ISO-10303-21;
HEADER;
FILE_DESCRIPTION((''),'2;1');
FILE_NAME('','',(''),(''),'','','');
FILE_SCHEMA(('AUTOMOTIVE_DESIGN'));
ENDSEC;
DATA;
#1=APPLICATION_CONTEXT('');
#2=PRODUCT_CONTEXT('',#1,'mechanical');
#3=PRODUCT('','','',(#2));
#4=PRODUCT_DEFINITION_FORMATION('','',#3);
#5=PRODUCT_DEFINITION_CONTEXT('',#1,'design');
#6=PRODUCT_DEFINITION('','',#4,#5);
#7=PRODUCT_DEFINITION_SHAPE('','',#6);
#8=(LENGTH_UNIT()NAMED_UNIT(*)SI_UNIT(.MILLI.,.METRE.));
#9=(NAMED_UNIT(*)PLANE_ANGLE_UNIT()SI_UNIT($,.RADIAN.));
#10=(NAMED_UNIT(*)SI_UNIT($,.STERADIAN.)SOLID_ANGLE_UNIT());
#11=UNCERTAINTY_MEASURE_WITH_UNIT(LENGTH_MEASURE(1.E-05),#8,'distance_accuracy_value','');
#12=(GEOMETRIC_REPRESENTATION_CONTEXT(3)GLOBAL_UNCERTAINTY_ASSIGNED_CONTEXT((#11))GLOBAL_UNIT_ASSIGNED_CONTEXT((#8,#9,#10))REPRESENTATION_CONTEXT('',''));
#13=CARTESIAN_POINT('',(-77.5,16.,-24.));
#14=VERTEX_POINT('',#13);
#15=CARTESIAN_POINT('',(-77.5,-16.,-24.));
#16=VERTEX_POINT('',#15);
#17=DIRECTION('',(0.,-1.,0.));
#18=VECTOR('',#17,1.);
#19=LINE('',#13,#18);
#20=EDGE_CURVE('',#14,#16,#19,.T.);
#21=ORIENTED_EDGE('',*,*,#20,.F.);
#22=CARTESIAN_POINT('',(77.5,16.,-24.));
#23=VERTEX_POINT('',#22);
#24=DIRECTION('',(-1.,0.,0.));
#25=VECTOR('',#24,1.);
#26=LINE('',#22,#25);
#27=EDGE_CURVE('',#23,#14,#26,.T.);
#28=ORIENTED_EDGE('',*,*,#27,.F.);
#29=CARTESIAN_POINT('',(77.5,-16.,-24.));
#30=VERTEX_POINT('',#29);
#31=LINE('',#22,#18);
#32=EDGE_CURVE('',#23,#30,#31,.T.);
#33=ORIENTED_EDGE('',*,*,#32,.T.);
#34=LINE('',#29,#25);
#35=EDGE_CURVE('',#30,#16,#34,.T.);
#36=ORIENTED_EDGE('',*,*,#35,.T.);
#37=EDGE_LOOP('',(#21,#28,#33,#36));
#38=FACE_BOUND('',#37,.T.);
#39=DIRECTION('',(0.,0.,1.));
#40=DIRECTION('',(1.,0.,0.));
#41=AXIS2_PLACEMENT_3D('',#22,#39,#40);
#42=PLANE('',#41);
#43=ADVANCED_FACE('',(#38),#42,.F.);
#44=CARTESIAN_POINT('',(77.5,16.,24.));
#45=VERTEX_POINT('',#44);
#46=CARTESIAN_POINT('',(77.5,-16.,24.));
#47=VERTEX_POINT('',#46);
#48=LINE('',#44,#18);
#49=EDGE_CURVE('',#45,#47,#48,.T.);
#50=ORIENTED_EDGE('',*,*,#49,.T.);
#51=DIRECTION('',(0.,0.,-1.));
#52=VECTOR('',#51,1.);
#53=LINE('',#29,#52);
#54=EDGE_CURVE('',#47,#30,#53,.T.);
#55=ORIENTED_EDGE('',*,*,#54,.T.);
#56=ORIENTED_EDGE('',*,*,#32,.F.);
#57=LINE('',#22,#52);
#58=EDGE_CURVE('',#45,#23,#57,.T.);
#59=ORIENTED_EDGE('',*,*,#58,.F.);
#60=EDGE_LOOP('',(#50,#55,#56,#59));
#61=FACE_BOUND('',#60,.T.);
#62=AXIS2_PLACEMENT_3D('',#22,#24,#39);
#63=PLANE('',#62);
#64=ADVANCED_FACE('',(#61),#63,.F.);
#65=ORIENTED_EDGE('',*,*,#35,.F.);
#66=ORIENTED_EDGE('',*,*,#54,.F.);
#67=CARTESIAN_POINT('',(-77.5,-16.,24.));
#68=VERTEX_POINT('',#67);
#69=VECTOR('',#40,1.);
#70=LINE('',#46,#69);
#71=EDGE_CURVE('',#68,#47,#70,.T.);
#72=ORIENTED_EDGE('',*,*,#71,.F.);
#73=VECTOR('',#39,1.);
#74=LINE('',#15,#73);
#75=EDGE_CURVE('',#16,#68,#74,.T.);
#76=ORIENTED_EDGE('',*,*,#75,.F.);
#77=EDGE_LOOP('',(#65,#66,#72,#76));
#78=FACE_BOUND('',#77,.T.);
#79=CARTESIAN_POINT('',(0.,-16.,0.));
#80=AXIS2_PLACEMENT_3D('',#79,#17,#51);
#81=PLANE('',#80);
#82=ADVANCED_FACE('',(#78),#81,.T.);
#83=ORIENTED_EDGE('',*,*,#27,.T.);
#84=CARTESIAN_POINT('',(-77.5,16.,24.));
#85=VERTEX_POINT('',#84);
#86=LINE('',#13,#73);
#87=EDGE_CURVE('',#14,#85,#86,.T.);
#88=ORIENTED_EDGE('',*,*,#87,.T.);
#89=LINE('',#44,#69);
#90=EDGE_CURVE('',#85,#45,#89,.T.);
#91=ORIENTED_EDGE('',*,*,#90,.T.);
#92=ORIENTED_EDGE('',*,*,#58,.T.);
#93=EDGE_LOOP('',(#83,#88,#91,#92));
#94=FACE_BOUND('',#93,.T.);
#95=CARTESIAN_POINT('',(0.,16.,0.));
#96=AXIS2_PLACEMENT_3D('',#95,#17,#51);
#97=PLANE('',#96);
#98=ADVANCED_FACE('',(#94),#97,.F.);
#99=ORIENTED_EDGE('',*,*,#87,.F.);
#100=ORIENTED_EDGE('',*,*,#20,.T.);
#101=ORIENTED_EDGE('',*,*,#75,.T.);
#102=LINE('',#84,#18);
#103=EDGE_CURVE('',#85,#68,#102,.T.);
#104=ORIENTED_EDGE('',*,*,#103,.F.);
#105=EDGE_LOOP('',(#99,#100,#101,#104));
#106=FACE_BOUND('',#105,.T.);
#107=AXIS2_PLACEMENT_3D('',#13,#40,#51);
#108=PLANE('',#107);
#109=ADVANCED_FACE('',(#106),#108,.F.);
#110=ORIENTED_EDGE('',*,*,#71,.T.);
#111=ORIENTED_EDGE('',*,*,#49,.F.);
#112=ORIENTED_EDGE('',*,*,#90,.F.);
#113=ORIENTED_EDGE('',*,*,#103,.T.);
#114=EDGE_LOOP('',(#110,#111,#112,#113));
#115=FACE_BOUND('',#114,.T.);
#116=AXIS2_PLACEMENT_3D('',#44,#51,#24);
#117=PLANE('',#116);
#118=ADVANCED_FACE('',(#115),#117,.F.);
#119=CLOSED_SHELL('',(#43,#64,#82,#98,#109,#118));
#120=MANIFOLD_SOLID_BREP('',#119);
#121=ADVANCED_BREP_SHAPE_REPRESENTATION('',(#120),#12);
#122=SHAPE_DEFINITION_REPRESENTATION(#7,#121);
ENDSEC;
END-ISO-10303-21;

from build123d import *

# Parameters (mm, degrees)
SKETCH1_W           = 155
SKETCH1_H           = 48
BOSS_EXTRUDE1_DEPTH = 16


with BuildPart() as part:
    # Sketch1 → Boss-Extrude1 (new, symmetric)
    with BuildSketch(Plane(origin=(0, 0, 0), x_dir=(1, 0, 0), z_dir=(0, 1, 0))):
        Rectangle(SKETCH1_W, SKETCH1_H)
    extrude(amount=BOSS_EXTRUDE1_DEPTH, both=True)


solid = part.part
